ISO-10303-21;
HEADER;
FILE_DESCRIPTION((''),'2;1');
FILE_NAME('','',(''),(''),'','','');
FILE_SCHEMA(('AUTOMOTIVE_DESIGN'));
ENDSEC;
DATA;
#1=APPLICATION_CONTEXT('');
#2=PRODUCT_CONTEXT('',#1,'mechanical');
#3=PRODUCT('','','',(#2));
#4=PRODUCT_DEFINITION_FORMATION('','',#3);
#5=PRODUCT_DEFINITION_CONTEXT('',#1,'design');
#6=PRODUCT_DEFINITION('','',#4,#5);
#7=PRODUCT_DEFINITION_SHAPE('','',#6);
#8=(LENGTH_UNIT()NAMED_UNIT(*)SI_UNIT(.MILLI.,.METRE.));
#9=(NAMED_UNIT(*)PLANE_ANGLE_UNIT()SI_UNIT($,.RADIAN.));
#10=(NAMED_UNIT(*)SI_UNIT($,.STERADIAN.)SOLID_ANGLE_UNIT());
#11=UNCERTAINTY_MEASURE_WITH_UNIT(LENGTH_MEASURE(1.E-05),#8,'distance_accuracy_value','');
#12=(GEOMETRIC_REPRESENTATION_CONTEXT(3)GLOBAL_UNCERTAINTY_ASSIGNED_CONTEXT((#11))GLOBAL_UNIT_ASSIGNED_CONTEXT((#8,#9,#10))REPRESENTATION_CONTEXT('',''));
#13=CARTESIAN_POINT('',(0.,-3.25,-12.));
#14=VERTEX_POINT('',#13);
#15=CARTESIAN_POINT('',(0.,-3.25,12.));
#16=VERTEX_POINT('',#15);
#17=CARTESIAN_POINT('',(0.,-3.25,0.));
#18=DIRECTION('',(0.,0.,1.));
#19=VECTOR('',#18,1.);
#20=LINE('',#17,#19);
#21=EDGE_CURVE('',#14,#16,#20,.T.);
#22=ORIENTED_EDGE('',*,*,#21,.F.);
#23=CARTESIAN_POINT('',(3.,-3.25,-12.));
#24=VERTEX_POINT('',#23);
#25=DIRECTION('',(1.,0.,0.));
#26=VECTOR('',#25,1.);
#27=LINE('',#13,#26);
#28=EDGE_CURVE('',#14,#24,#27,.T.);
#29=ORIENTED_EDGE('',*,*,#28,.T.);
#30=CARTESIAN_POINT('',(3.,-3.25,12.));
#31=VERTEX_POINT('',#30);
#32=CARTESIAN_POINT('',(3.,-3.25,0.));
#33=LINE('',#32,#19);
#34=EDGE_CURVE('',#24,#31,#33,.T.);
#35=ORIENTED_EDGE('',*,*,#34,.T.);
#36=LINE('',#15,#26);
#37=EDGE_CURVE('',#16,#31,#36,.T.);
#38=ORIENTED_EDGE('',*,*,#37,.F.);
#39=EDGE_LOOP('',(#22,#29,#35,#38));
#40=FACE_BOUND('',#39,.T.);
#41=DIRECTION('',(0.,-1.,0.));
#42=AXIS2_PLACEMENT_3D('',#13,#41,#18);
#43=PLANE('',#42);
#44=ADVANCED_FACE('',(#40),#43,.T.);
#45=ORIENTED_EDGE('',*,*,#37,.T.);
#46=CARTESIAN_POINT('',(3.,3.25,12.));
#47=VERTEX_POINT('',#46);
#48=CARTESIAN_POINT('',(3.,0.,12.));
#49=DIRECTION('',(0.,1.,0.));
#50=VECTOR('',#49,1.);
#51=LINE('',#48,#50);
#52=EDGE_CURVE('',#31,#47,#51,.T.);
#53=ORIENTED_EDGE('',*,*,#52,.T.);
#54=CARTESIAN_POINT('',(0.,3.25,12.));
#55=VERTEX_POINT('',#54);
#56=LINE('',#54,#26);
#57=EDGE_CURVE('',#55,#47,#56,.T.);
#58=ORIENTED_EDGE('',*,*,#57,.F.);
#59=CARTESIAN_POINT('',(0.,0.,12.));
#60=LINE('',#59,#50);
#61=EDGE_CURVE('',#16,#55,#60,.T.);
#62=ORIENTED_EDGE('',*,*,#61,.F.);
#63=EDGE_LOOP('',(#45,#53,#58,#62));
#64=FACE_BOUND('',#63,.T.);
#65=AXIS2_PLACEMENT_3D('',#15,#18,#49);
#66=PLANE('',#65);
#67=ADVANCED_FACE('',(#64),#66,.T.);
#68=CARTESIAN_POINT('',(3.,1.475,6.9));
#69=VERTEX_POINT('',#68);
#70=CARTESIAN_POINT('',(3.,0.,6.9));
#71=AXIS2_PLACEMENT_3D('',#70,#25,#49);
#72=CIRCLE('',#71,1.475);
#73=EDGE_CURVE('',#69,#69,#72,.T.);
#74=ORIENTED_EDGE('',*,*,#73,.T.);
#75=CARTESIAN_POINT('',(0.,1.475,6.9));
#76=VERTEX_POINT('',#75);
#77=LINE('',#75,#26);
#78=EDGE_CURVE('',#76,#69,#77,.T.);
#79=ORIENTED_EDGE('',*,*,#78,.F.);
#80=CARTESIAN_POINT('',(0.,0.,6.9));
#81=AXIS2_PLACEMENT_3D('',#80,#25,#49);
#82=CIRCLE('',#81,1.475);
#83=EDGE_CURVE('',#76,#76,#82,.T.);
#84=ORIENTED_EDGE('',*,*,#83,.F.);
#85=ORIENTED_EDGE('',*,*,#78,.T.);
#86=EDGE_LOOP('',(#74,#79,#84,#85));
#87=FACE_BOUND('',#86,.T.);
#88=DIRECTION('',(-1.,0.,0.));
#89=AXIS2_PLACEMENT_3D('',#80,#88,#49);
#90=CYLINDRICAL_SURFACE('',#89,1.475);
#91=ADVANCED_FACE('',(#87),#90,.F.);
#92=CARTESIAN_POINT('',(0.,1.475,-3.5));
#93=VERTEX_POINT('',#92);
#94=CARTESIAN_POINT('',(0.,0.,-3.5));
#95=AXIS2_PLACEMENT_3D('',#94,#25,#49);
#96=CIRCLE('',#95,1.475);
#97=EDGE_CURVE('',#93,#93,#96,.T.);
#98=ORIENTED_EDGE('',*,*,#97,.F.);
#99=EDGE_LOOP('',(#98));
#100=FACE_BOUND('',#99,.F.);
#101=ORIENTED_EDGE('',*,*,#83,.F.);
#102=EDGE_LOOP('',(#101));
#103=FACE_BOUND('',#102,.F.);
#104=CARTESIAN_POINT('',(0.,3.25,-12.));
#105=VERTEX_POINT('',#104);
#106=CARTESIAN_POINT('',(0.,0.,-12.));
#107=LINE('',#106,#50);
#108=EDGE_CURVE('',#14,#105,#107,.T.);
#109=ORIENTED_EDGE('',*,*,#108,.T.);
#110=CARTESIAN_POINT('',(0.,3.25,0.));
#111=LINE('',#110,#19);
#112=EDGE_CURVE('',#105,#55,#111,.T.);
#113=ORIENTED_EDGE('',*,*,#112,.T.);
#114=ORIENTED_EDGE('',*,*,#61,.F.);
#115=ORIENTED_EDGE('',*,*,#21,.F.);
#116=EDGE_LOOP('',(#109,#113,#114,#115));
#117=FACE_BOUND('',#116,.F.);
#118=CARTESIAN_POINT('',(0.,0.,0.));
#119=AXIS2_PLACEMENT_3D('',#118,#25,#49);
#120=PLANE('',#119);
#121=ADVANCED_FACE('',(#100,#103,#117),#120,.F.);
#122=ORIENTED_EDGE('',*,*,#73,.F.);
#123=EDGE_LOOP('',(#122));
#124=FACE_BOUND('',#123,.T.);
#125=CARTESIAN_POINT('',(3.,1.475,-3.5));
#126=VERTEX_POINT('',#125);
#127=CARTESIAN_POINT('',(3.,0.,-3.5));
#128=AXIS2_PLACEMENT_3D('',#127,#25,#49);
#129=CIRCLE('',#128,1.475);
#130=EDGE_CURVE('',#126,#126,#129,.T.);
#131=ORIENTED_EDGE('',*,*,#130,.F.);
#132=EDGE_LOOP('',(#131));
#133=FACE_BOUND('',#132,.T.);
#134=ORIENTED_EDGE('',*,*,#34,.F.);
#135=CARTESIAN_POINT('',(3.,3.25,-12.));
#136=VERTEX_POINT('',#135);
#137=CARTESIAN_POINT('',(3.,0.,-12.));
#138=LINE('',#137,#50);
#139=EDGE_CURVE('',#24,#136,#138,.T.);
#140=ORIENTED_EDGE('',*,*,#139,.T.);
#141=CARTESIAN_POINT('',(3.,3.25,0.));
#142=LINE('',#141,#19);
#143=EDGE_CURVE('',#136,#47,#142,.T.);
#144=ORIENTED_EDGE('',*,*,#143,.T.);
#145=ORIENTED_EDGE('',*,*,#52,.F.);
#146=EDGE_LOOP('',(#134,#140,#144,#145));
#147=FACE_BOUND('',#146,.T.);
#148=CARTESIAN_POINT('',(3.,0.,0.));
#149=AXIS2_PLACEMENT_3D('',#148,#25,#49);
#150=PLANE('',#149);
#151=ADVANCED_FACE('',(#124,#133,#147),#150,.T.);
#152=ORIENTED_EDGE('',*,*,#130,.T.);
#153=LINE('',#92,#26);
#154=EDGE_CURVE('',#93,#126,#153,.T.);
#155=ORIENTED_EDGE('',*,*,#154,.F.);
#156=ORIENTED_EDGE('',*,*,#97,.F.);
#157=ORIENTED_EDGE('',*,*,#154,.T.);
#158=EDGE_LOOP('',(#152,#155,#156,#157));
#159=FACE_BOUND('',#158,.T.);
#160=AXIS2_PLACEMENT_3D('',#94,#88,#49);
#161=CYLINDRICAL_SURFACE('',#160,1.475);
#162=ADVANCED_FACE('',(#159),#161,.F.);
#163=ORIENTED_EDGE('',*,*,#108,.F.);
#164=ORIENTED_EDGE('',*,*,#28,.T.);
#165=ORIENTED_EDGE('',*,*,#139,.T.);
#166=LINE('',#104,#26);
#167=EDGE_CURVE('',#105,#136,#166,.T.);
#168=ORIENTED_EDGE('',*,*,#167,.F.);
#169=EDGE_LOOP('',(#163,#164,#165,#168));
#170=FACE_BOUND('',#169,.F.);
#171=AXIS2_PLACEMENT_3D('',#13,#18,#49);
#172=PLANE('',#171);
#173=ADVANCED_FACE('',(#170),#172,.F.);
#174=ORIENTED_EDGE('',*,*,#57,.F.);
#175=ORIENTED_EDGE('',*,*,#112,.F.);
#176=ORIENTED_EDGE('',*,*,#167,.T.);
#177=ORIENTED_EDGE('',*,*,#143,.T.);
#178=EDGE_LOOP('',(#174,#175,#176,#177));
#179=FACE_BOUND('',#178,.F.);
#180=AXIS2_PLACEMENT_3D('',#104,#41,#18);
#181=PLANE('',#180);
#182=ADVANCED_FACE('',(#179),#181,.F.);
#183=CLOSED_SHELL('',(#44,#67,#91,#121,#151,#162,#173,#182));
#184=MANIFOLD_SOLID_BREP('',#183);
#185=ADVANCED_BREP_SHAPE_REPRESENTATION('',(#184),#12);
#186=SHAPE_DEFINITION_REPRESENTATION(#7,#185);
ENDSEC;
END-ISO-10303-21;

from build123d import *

# Parameters (mm, degrees)
F0_W     = 6.5
F0_H     = 24
F0_R     = 1.475
F1_DEPTH = 3


with BuildPart() as f1:
    # F0 (on Right) → F1 (new body)
    with BuildSketch(Plane.YZ):
        Rectangle(F0_W, F0_H)
        with Locations((0, -3.5)):
            Circle(F0_R, mode=Mode.SUBTRACT)
        with Locations((0, 6.9)):
            Circle(F0_R, mode=Mode.SUBTRACT)
    extrude(amount=F1_DEPTH)


solid = f1.part
